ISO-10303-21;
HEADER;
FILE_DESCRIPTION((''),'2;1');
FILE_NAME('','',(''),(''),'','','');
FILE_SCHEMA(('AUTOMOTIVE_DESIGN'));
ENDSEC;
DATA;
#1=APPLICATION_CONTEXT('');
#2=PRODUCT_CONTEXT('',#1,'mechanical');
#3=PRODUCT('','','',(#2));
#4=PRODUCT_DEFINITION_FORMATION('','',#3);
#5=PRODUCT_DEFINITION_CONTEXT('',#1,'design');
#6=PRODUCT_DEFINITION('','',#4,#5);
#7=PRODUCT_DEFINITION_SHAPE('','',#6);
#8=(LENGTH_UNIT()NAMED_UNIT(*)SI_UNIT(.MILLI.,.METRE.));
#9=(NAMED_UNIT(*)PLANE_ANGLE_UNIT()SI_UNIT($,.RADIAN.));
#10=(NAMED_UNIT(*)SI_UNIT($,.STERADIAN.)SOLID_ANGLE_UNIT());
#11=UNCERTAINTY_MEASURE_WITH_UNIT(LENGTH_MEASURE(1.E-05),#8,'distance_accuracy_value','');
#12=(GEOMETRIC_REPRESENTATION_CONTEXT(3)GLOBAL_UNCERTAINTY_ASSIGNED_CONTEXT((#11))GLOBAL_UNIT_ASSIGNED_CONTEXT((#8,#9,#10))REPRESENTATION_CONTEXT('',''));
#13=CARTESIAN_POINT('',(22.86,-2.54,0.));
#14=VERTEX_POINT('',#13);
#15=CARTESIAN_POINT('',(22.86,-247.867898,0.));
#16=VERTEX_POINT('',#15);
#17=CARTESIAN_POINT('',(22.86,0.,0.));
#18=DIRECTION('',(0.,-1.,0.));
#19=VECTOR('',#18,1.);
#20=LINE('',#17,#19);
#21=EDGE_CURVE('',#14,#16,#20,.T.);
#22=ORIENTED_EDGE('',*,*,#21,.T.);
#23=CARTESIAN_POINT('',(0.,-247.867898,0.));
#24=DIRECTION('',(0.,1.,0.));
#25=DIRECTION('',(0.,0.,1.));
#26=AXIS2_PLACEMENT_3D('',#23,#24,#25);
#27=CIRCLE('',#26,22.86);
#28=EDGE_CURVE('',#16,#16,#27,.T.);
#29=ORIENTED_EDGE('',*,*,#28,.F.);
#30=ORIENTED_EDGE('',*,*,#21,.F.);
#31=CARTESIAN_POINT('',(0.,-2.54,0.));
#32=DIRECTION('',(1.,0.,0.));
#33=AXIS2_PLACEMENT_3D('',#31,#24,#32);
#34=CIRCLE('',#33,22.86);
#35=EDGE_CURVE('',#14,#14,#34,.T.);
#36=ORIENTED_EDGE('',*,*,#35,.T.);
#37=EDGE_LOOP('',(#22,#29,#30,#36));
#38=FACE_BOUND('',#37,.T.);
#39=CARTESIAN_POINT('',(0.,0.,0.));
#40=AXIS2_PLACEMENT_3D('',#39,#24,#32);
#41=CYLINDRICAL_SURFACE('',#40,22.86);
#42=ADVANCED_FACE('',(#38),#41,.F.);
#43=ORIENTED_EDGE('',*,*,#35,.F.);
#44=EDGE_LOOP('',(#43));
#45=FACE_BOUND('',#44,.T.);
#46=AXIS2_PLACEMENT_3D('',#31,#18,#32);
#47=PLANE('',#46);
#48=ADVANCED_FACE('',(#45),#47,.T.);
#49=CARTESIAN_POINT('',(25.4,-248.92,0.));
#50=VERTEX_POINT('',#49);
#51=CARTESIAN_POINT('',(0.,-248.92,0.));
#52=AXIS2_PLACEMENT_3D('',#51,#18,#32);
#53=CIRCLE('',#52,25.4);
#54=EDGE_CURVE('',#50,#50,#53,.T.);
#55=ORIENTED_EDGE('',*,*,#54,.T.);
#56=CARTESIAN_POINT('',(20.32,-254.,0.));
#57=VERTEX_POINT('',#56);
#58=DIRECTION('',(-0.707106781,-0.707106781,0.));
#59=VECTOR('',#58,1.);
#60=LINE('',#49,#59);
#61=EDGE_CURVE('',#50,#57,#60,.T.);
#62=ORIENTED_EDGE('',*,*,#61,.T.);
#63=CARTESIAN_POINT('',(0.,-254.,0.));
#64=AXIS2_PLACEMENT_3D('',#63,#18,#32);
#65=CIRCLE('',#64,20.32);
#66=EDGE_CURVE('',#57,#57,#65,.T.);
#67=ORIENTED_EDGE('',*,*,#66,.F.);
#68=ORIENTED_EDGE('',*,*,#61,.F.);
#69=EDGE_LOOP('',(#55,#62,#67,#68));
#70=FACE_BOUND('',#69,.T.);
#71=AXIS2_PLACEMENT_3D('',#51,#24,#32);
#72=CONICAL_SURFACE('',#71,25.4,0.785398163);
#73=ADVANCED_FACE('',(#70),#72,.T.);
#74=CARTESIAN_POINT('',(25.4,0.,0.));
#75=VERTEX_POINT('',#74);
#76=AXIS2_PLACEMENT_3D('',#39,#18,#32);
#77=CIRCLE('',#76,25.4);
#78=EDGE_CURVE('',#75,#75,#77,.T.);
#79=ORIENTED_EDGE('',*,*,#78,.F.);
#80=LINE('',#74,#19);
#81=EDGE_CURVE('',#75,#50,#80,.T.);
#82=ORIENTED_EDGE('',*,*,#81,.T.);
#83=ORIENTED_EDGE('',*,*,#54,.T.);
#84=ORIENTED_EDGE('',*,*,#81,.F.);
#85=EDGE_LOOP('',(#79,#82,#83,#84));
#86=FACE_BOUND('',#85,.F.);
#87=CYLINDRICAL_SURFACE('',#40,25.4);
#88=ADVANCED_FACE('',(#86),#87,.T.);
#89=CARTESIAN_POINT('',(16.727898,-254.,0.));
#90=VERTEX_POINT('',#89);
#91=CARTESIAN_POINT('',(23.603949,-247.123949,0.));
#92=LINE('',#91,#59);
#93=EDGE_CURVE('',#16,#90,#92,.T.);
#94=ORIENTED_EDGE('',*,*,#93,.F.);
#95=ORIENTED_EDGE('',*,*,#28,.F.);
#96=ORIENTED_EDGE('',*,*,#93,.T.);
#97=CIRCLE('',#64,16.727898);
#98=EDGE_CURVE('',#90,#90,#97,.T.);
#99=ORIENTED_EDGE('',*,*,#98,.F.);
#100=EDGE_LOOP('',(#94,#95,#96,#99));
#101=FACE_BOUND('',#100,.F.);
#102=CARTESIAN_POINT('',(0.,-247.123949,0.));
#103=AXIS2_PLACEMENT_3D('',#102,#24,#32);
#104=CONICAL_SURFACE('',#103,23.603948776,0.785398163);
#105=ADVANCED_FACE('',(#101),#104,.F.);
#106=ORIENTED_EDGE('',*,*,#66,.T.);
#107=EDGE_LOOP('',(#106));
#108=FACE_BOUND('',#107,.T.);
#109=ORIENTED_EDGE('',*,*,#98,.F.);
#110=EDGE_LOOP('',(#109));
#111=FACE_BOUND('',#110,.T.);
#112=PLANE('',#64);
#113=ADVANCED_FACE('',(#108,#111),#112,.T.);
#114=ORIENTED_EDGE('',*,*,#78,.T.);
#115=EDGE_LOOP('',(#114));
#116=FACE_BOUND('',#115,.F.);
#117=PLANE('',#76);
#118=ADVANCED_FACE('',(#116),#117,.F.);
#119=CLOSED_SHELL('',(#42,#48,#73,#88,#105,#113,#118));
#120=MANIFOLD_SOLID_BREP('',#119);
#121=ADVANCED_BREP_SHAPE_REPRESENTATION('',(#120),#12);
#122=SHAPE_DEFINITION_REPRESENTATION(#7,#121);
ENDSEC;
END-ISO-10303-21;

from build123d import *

# Parameters (mm, degrees)
F0_R     = 25.4
F1_DEPTH = 254
F2_SIZE  = 5.08
F3_T     = -2.54


with BuildPart() as f1:
    # F0 (on Front) → F1 (new body)
    with BuildSketch(Plane.XZ):
        Circle(F0_R)
    extrude(amount=F1_DEPTH)

    # F2
    f2_edges = [f1.edges().sort_by_distance(p)[0] for p in [
        (-25.4, -254, 0),
    ]]
    chamfer(f2_edges, length=F2_SIZE)

    # F3
    f3_openings = [f1.faces().sort_by_distance(p)[0] for p in [
        (0, -254, 0),
    ]]
    offset(amount=F3_T, openings=f3_openings)


solid = f1.part
